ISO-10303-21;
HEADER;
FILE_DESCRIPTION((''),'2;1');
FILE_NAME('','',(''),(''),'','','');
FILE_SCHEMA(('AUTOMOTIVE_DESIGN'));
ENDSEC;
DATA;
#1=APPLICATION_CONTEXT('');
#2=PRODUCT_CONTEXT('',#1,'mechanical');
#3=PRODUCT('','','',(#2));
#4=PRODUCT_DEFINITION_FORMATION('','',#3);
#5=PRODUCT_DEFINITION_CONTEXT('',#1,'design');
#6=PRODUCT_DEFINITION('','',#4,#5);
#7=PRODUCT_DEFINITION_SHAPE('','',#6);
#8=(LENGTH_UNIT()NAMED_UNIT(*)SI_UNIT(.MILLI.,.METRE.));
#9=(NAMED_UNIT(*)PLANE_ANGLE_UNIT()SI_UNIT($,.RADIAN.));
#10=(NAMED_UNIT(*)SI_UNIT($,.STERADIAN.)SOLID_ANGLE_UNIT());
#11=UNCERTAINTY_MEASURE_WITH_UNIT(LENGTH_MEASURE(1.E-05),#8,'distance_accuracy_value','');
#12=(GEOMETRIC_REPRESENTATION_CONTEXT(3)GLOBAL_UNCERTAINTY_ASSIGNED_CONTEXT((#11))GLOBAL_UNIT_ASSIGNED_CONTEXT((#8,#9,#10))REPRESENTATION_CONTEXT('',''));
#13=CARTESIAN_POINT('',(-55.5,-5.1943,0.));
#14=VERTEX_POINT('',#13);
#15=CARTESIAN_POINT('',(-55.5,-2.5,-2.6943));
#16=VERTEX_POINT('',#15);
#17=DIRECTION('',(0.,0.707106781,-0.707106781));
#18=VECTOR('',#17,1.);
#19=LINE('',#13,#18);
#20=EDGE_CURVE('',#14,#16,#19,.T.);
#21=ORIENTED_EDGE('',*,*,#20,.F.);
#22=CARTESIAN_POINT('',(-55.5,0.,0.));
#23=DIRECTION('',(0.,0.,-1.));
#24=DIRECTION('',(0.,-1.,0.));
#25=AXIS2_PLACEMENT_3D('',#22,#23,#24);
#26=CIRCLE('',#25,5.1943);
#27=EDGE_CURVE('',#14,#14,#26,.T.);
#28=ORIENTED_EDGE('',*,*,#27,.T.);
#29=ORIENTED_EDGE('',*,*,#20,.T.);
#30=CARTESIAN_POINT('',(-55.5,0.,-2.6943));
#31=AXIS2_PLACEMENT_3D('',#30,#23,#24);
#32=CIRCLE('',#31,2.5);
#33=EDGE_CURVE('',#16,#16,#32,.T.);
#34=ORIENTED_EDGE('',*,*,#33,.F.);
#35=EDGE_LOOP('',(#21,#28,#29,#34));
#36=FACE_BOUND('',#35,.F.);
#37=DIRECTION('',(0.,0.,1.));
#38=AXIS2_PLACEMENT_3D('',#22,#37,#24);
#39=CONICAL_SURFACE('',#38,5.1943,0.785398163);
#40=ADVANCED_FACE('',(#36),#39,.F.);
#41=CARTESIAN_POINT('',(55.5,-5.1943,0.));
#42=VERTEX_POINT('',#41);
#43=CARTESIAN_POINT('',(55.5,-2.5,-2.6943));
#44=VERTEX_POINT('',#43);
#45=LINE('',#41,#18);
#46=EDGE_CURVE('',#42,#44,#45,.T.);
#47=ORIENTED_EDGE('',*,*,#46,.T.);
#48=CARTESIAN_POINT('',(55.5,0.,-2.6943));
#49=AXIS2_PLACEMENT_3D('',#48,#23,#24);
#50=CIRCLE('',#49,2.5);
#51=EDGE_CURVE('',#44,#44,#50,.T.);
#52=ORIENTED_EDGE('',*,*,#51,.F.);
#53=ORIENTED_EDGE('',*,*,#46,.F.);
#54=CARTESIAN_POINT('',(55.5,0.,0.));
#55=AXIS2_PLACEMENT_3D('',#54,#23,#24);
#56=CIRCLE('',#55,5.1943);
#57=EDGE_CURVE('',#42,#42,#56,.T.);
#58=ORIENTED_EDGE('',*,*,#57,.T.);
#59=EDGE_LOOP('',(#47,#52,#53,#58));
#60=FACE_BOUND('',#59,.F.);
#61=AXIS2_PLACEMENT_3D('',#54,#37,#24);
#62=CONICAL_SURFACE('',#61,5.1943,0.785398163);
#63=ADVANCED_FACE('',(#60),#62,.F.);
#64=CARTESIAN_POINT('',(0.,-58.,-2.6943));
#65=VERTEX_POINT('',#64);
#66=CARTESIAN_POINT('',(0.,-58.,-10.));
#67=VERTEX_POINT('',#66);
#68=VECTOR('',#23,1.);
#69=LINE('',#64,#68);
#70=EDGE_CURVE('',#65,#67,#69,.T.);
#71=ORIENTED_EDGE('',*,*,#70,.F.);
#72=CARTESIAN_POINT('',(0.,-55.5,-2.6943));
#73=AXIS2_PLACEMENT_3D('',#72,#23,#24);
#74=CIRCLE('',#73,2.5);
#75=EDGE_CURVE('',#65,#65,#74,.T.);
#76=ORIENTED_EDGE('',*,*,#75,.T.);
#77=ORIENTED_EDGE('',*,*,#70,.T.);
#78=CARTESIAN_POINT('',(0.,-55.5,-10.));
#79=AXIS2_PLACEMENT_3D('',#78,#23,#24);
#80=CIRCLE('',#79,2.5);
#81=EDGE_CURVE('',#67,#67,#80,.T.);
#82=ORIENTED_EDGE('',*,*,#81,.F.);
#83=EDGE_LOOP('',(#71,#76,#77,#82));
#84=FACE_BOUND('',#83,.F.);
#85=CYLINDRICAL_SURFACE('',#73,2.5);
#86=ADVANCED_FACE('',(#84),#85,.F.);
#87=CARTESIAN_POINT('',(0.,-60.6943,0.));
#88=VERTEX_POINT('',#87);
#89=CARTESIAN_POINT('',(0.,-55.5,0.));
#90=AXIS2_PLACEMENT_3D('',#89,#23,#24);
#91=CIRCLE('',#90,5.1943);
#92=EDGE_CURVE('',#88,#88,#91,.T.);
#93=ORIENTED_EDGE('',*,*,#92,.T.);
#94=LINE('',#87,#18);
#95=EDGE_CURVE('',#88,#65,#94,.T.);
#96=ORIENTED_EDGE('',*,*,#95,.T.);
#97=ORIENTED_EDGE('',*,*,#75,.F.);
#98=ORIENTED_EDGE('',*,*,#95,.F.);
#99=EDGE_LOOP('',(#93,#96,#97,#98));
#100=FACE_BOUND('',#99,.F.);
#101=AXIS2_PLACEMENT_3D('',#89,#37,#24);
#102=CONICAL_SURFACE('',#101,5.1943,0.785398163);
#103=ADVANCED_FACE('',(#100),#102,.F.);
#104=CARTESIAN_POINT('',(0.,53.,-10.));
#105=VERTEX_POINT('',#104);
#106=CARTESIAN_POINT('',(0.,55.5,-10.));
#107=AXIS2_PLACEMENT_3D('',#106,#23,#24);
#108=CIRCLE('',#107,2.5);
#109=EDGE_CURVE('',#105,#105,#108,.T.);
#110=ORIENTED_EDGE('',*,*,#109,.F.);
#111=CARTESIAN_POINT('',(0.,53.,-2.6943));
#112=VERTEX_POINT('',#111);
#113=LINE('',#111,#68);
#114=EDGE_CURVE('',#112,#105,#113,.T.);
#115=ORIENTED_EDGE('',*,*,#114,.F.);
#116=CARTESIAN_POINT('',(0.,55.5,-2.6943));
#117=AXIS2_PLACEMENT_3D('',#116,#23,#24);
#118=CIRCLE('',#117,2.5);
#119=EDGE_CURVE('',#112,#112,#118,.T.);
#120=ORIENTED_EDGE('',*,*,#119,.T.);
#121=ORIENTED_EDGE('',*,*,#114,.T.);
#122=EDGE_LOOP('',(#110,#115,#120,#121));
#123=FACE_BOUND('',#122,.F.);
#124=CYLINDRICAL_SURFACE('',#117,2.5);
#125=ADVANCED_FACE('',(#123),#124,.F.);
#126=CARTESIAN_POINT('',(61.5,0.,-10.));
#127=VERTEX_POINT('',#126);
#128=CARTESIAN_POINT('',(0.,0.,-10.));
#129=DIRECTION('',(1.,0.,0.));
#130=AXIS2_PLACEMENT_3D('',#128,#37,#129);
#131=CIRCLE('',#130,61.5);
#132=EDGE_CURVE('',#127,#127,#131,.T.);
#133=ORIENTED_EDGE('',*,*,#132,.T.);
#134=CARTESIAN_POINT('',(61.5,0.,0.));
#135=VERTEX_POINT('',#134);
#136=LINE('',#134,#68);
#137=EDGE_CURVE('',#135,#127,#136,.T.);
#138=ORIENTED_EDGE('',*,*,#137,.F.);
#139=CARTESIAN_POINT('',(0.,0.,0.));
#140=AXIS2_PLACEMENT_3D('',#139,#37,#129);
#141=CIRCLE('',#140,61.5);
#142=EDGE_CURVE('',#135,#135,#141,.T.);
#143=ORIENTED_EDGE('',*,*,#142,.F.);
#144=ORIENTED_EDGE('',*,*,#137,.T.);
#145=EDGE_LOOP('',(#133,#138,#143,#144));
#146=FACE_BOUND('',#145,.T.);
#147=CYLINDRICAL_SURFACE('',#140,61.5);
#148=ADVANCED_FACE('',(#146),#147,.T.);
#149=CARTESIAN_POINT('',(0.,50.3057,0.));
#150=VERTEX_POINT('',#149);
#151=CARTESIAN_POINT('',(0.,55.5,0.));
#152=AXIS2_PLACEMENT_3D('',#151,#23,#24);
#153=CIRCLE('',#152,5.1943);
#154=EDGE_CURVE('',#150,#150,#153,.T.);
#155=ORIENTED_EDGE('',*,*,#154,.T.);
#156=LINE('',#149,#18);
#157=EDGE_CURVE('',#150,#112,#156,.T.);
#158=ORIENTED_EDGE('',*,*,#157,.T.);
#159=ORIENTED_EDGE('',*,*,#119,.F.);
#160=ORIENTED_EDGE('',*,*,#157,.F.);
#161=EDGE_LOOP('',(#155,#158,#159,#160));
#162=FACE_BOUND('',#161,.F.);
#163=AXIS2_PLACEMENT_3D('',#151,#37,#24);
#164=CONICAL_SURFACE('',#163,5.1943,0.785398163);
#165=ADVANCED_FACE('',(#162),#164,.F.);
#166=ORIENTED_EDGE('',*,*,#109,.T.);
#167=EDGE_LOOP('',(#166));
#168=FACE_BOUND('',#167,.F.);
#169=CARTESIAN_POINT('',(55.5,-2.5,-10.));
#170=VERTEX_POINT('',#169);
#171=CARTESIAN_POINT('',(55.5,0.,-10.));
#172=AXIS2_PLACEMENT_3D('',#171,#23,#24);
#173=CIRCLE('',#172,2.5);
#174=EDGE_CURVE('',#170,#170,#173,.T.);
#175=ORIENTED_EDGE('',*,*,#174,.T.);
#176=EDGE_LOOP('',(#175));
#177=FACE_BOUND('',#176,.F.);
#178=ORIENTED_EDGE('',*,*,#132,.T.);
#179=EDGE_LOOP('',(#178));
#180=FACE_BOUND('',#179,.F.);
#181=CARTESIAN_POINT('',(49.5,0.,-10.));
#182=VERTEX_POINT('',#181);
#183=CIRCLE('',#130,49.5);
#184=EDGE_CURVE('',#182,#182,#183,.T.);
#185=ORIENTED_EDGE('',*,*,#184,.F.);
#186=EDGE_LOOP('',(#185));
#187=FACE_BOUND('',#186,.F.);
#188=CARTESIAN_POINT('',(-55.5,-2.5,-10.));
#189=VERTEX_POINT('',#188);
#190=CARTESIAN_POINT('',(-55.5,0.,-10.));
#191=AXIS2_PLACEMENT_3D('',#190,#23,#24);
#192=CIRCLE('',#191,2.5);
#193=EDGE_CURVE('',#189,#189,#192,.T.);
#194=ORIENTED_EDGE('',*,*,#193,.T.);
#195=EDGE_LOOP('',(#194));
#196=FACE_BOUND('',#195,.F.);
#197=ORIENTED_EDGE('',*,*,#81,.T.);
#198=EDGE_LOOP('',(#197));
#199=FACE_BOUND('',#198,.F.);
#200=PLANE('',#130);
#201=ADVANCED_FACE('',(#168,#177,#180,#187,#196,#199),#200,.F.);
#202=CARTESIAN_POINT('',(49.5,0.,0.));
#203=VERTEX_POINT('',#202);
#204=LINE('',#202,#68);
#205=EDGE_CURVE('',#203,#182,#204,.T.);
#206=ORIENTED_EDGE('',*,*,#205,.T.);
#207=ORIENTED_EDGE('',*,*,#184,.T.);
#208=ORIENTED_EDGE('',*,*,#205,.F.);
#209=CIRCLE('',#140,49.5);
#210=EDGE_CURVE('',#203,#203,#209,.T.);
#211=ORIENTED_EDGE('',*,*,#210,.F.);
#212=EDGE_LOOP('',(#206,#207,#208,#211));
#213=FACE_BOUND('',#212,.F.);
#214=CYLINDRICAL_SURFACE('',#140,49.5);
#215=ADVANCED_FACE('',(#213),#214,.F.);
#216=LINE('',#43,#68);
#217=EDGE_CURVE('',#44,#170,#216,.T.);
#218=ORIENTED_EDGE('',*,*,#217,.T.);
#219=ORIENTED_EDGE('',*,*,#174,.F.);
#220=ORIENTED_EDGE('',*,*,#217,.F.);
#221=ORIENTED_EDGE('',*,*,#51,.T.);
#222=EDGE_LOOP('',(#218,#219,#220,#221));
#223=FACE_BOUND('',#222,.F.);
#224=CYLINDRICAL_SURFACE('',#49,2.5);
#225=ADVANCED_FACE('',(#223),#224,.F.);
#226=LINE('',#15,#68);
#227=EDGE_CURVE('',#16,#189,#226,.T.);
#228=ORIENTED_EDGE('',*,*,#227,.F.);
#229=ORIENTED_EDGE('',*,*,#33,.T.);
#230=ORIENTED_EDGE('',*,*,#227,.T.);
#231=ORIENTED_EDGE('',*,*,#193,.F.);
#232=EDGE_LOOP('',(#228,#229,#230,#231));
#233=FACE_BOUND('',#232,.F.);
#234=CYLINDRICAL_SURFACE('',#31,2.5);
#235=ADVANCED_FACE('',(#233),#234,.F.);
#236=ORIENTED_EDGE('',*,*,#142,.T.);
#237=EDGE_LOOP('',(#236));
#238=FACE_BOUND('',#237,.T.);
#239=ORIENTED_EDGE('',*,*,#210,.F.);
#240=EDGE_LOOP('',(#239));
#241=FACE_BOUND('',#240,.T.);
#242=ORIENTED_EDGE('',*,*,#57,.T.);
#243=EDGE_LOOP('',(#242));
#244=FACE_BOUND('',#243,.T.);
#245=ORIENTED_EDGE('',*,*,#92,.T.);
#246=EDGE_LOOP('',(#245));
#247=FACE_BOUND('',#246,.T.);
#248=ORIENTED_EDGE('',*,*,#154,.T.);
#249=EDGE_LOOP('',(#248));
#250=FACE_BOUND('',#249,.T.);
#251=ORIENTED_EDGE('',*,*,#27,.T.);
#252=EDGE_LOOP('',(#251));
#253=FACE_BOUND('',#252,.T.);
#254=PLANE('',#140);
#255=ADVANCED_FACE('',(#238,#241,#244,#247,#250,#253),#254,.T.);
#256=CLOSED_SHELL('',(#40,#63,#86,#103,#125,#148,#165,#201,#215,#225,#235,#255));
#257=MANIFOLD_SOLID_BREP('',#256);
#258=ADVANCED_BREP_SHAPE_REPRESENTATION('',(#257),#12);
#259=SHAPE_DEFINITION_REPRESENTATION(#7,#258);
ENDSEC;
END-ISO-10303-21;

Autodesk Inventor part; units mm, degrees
ref_plane "YZ Plane" through (0, 0, 0) normal (1, 0, 0) x (0, 1, 0)
ref_plane "XZ Plane" through (0, 0, 0) normal (0, 1, 0) x (-1, 0, 0)
ref_plane "Work Plane1" through (0, 0, 0) normal (0, 0, 1) x (1, 0, 0)
sketch "Sketch1" plane through (0, 0, 0) normal (0, 0, 1) x (1, 0, 0)
  circle A0 centre (0, 0) radius 62.3 projected
  circle A1 centre (0, 0) radius 49.5
  circle A2 centre (0, 0) radius 61.5
  line L0 (49.5, 0) -> (61.5, 0) construction
  point P0 (55.5, 0)
  point P1 (0, 55.5)
  point P2 (-55.5, 0)
  point P3 (0, -55.5)
  dimension "d0" = 99
  dimension "d1" = 12
  dimension "d4" = 360
ref_plane "Work Plane2" through (-74.3, -74.3, -10) normal (0, 0, -1) x (0, 1, 0)
extrude "Extrusion1" add sketch "Sketch1" against normal up to surface (10 mm away) contours A2
sketch "Sketch2" plane through (0, 0, 0) normal (0, 0, 1) x (1, 0, 0)
  circle A0 centre (0, 0) radius 49.5 projected
  line L0 (49.5, 0) -> (61.5, 0) construction
  circle A1 centre (0, 0) radius 61.5 projected
  point P0 (55.5, 0)
  point P1 (0, 55.5)
  point P2 (-55.5, 0)
  point P3 (0, -55.5)
  dimension "d10" = 360
hole "Hole1" at (55.5, 0, 0) at (0, 55.5, 0) at (-55.5, 0, 0) at (0, -55.5, 0) direction (0, 0, -1) diameter 5 end through all countersink diameter 10.3886 countersink angle 90 clearance for "Flat Head Machine Screw" size "M5" standard "Ansi Metric M Profile"
properties part number "IR"
